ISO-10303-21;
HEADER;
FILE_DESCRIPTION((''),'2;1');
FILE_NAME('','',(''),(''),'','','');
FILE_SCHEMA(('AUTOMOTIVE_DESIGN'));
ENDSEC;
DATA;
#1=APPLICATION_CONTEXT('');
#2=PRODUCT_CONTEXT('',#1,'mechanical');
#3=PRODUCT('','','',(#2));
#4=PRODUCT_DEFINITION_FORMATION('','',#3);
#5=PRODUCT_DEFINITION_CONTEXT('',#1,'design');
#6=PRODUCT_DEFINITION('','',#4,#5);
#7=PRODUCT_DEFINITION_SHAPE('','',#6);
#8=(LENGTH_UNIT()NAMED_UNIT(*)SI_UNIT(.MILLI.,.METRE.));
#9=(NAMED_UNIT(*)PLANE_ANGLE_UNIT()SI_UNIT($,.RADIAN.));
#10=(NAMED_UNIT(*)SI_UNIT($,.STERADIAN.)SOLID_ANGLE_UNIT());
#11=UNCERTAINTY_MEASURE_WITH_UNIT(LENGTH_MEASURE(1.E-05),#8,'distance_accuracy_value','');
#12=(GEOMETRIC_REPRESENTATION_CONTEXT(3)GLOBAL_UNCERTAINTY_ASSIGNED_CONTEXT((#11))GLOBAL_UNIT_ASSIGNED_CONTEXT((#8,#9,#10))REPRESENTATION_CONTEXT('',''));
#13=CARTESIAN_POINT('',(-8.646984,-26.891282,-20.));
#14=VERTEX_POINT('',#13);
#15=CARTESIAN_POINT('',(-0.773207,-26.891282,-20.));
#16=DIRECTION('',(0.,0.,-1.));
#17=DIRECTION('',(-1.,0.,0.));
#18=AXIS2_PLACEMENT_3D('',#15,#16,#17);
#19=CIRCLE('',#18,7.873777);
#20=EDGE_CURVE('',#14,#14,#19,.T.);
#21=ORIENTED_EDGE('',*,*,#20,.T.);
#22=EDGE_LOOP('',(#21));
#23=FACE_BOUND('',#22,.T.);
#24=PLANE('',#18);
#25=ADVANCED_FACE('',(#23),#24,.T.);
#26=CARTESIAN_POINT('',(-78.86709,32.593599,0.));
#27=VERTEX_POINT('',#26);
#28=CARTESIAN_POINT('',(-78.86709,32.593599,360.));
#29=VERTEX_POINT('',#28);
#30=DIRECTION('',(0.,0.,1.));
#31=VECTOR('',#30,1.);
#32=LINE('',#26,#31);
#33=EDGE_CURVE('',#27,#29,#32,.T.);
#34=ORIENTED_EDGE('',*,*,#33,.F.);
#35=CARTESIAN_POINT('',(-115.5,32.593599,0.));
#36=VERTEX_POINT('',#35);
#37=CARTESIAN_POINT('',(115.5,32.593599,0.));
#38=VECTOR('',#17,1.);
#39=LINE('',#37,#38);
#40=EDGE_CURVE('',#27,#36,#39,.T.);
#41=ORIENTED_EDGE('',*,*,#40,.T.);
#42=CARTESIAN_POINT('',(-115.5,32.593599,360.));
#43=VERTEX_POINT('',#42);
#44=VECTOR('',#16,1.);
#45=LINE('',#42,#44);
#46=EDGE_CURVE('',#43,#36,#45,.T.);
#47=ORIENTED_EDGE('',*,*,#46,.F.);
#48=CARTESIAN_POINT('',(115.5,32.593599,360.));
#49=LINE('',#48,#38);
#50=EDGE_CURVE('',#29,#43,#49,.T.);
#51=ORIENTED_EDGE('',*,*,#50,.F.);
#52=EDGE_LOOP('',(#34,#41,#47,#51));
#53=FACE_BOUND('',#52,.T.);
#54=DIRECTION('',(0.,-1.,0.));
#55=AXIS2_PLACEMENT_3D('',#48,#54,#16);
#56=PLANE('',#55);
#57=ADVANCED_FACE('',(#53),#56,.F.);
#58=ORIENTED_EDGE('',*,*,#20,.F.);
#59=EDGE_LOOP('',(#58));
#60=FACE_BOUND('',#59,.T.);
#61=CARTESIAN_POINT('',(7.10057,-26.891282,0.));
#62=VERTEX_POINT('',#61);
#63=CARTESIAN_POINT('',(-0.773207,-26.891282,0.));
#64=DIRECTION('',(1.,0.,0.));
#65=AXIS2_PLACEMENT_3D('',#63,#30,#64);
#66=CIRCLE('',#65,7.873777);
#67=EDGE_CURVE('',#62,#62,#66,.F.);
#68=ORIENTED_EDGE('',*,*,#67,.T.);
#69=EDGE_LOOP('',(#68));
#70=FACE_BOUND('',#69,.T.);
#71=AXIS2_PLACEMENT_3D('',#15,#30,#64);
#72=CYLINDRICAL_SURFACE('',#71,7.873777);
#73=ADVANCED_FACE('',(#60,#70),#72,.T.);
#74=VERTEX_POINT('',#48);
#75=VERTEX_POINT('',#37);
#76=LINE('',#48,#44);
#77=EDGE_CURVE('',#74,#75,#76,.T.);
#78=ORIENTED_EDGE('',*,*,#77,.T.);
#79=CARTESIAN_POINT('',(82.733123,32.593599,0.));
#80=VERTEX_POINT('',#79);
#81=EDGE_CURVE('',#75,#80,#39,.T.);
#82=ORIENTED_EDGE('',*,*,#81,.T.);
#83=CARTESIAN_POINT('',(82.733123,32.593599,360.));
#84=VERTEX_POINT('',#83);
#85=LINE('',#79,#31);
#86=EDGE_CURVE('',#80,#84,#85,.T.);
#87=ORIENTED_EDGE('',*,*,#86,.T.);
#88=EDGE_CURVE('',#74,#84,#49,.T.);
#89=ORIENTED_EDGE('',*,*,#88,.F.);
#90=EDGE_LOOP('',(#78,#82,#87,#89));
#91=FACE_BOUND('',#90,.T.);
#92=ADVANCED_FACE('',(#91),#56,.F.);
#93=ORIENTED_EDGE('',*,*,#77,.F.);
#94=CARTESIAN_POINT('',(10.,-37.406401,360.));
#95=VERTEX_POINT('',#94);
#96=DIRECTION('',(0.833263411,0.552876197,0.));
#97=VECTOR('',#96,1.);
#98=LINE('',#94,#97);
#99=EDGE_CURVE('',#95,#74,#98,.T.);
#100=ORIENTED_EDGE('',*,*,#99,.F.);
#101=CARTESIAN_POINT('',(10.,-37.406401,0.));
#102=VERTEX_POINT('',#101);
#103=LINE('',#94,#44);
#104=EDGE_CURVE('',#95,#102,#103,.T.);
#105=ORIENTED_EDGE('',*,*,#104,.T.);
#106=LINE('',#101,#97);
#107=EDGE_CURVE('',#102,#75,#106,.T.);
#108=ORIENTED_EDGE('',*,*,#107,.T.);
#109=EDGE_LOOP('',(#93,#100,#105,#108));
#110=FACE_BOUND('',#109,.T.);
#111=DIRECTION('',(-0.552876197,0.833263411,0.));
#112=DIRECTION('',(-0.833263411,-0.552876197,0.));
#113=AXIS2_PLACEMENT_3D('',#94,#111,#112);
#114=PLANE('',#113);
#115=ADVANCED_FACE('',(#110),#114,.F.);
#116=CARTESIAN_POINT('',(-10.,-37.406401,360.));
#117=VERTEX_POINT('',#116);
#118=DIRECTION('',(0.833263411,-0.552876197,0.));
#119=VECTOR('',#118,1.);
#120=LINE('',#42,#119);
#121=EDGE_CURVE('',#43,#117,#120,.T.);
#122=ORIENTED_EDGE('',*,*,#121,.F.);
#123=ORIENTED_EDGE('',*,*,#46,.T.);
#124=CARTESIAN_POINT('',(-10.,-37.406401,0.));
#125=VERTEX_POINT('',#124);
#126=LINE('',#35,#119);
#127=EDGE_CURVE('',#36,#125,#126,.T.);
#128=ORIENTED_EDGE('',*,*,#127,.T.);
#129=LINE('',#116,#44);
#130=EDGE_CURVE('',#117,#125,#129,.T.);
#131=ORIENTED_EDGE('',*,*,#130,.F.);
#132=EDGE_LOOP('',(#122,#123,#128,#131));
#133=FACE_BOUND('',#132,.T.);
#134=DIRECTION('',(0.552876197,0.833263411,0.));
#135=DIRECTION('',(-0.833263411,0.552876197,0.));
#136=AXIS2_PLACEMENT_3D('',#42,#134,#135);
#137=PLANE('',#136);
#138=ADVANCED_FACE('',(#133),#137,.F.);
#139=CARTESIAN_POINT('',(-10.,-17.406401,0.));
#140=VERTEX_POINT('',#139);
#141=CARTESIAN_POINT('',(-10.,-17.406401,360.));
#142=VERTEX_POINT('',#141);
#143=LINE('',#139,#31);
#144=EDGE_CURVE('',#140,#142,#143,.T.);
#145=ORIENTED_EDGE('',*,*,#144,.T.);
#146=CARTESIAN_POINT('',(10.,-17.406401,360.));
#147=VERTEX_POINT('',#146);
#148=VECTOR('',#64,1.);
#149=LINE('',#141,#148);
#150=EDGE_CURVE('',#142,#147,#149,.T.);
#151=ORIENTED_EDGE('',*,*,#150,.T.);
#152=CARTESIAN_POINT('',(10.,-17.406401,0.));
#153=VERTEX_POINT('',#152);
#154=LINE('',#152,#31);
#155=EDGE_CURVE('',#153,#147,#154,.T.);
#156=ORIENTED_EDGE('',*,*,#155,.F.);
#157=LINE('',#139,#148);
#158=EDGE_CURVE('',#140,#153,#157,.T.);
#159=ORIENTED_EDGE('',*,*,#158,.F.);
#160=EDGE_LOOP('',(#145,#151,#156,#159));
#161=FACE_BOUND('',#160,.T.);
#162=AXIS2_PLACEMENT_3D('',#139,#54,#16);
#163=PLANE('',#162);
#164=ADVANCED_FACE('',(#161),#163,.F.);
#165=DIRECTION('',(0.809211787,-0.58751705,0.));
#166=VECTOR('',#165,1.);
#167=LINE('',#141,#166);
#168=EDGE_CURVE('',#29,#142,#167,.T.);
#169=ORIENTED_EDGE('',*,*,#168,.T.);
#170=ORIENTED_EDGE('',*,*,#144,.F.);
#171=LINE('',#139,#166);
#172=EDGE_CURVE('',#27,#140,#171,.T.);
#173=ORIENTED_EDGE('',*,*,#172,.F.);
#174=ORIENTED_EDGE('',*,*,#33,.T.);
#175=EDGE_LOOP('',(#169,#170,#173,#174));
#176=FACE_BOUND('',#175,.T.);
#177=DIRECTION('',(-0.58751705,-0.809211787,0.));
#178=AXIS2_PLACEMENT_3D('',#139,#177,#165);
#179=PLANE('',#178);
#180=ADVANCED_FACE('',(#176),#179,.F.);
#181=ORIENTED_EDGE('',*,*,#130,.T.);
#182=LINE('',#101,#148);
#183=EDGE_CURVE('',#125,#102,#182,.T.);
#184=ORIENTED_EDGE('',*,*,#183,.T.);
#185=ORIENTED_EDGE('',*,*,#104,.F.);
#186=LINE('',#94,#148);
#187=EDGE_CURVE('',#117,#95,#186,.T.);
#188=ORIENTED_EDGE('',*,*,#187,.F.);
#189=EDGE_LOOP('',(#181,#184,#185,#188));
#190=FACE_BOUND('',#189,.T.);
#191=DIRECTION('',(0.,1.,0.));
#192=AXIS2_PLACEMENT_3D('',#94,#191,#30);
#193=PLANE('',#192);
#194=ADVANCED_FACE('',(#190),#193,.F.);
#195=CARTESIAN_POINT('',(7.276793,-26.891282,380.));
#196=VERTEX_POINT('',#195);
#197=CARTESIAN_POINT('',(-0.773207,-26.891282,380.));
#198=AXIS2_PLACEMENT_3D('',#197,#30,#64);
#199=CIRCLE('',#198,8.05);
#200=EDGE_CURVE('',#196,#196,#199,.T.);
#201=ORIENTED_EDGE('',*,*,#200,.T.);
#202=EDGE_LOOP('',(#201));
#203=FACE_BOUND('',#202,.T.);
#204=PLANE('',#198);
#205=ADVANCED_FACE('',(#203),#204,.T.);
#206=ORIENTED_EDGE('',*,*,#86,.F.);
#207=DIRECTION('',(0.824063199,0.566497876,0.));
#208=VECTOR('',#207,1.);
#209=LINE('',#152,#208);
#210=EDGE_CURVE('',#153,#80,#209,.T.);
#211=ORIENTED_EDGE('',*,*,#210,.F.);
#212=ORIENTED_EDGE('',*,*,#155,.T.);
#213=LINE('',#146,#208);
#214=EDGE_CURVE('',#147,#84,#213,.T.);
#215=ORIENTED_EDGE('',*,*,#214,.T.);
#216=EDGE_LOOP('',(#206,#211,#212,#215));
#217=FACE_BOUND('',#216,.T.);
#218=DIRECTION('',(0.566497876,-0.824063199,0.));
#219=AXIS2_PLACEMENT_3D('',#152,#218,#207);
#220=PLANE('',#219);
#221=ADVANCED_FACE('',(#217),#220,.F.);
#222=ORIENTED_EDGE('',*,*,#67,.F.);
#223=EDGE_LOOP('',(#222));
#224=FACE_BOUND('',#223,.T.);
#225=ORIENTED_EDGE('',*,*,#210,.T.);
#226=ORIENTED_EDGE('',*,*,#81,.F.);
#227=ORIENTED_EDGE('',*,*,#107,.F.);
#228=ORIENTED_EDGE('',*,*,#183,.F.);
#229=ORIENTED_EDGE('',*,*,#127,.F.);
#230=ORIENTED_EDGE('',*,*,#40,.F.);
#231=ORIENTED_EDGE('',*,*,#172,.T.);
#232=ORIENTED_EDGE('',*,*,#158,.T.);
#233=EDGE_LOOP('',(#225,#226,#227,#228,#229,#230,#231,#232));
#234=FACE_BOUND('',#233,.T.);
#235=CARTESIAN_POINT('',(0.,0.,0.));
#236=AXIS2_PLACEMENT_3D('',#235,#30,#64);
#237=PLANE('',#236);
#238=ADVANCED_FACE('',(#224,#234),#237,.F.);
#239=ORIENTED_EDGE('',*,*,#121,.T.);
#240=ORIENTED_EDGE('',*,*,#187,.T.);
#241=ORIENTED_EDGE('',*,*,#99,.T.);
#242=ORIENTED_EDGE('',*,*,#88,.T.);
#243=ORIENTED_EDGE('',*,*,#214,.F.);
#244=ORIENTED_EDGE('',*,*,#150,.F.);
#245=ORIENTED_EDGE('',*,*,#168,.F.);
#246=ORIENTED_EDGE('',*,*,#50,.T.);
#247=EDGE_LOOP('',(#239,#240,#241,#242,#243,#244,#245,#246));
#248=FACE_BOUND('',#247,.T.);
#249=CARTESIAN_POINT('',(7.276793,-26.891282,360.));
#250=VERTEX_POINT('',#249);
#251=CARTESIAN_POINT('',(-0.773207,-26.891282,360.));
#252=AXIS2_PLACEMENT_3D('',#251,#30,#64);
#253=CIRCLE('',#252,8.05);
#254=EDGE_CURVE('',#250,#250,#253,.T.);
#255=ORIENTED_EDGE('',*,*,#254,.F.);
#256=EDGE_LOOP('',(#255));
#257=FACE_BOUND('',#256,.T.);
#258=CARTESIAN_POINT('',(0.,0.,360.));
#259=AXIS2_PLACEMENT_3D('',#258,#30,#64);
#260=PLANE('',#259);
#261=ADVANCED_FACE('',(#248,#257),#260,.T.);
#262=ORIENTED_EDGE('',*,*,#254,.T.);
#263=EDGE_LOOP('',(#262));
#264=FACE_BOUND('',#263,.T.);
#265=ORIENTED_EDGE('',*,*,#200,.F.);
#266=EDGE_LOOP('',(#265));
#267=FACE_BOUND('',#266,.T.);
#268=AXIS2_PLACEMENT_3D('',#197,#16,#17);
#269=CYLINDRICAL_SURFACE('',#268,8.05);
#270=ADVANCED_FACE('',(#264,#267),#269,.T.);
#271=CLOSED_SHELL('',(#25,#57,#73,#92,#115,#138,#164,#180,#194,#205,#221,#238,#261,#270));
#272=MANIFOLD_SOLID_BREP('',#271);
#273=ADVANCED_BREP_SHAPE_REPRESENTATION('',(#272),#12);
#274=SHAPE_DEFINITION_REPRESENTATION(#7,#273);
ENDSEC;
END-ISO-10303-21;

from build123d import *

# Parameters (mm, degrees)
BOSS_EXTRUDE1_DEPTH = 360
CUT_EXTRUDE1_DEPTH  = 360
SKETCH3_R           = 8.05
BOSS_EXTRUDE2_DEPTH = 20
SKETCH4_R           = 7.873776935
BOSS_EXTRUDE3_DEPTH = 20


with BuildPart() as part:
    # Sketch1 → Boss-Extrude1 (new body)
    with BuildSketch(Plane.XY):
        Polygon((-115.5, 32.593599034), (-10, -37.406400966), (10, -37.406400966), (115.5, 32.593599034), align=None)
    extrude(amount=BOSS_EXTRUDE1_DEPTH)

    # Sketch2 → Cut-Extrude1 (cut)
    with BuildSketch(Plane.XY.offset(360)):
        Polygon((-78.867089656, 32.593599034), (82.733123463, 32.593599034), (10, -17.406400966), (-10, -17.406400966), align=None)
    extrude(amount=-CUT_EXTRUDE1_DEPTH, mode=Mode.SUBTRACT)

    # Sketch3 → Boss-Extrude2 (add)
    with BuildSketch(Plane.XY.offset(360)):
        with Locations((-0.773206761, -26.891281742)):
            Circle(SKETCH3_R)
    extrude(amount=BOSS_EXTRUDE2_DEPTH)

    # Sketch4 → Boss-Extrude3 (add)
    with BuildSketch(Plane(origin=(0, 0, 0), x_dir=(-1, 0, 0), z_dir=(0, 0, -1))):
        with Locations((0.773206761, -26.891281742)):
            Circle(SKETCH4_R)
    extrude(amount=BOSS_EXTRUDE3_DEPTH)


solid = part.part
